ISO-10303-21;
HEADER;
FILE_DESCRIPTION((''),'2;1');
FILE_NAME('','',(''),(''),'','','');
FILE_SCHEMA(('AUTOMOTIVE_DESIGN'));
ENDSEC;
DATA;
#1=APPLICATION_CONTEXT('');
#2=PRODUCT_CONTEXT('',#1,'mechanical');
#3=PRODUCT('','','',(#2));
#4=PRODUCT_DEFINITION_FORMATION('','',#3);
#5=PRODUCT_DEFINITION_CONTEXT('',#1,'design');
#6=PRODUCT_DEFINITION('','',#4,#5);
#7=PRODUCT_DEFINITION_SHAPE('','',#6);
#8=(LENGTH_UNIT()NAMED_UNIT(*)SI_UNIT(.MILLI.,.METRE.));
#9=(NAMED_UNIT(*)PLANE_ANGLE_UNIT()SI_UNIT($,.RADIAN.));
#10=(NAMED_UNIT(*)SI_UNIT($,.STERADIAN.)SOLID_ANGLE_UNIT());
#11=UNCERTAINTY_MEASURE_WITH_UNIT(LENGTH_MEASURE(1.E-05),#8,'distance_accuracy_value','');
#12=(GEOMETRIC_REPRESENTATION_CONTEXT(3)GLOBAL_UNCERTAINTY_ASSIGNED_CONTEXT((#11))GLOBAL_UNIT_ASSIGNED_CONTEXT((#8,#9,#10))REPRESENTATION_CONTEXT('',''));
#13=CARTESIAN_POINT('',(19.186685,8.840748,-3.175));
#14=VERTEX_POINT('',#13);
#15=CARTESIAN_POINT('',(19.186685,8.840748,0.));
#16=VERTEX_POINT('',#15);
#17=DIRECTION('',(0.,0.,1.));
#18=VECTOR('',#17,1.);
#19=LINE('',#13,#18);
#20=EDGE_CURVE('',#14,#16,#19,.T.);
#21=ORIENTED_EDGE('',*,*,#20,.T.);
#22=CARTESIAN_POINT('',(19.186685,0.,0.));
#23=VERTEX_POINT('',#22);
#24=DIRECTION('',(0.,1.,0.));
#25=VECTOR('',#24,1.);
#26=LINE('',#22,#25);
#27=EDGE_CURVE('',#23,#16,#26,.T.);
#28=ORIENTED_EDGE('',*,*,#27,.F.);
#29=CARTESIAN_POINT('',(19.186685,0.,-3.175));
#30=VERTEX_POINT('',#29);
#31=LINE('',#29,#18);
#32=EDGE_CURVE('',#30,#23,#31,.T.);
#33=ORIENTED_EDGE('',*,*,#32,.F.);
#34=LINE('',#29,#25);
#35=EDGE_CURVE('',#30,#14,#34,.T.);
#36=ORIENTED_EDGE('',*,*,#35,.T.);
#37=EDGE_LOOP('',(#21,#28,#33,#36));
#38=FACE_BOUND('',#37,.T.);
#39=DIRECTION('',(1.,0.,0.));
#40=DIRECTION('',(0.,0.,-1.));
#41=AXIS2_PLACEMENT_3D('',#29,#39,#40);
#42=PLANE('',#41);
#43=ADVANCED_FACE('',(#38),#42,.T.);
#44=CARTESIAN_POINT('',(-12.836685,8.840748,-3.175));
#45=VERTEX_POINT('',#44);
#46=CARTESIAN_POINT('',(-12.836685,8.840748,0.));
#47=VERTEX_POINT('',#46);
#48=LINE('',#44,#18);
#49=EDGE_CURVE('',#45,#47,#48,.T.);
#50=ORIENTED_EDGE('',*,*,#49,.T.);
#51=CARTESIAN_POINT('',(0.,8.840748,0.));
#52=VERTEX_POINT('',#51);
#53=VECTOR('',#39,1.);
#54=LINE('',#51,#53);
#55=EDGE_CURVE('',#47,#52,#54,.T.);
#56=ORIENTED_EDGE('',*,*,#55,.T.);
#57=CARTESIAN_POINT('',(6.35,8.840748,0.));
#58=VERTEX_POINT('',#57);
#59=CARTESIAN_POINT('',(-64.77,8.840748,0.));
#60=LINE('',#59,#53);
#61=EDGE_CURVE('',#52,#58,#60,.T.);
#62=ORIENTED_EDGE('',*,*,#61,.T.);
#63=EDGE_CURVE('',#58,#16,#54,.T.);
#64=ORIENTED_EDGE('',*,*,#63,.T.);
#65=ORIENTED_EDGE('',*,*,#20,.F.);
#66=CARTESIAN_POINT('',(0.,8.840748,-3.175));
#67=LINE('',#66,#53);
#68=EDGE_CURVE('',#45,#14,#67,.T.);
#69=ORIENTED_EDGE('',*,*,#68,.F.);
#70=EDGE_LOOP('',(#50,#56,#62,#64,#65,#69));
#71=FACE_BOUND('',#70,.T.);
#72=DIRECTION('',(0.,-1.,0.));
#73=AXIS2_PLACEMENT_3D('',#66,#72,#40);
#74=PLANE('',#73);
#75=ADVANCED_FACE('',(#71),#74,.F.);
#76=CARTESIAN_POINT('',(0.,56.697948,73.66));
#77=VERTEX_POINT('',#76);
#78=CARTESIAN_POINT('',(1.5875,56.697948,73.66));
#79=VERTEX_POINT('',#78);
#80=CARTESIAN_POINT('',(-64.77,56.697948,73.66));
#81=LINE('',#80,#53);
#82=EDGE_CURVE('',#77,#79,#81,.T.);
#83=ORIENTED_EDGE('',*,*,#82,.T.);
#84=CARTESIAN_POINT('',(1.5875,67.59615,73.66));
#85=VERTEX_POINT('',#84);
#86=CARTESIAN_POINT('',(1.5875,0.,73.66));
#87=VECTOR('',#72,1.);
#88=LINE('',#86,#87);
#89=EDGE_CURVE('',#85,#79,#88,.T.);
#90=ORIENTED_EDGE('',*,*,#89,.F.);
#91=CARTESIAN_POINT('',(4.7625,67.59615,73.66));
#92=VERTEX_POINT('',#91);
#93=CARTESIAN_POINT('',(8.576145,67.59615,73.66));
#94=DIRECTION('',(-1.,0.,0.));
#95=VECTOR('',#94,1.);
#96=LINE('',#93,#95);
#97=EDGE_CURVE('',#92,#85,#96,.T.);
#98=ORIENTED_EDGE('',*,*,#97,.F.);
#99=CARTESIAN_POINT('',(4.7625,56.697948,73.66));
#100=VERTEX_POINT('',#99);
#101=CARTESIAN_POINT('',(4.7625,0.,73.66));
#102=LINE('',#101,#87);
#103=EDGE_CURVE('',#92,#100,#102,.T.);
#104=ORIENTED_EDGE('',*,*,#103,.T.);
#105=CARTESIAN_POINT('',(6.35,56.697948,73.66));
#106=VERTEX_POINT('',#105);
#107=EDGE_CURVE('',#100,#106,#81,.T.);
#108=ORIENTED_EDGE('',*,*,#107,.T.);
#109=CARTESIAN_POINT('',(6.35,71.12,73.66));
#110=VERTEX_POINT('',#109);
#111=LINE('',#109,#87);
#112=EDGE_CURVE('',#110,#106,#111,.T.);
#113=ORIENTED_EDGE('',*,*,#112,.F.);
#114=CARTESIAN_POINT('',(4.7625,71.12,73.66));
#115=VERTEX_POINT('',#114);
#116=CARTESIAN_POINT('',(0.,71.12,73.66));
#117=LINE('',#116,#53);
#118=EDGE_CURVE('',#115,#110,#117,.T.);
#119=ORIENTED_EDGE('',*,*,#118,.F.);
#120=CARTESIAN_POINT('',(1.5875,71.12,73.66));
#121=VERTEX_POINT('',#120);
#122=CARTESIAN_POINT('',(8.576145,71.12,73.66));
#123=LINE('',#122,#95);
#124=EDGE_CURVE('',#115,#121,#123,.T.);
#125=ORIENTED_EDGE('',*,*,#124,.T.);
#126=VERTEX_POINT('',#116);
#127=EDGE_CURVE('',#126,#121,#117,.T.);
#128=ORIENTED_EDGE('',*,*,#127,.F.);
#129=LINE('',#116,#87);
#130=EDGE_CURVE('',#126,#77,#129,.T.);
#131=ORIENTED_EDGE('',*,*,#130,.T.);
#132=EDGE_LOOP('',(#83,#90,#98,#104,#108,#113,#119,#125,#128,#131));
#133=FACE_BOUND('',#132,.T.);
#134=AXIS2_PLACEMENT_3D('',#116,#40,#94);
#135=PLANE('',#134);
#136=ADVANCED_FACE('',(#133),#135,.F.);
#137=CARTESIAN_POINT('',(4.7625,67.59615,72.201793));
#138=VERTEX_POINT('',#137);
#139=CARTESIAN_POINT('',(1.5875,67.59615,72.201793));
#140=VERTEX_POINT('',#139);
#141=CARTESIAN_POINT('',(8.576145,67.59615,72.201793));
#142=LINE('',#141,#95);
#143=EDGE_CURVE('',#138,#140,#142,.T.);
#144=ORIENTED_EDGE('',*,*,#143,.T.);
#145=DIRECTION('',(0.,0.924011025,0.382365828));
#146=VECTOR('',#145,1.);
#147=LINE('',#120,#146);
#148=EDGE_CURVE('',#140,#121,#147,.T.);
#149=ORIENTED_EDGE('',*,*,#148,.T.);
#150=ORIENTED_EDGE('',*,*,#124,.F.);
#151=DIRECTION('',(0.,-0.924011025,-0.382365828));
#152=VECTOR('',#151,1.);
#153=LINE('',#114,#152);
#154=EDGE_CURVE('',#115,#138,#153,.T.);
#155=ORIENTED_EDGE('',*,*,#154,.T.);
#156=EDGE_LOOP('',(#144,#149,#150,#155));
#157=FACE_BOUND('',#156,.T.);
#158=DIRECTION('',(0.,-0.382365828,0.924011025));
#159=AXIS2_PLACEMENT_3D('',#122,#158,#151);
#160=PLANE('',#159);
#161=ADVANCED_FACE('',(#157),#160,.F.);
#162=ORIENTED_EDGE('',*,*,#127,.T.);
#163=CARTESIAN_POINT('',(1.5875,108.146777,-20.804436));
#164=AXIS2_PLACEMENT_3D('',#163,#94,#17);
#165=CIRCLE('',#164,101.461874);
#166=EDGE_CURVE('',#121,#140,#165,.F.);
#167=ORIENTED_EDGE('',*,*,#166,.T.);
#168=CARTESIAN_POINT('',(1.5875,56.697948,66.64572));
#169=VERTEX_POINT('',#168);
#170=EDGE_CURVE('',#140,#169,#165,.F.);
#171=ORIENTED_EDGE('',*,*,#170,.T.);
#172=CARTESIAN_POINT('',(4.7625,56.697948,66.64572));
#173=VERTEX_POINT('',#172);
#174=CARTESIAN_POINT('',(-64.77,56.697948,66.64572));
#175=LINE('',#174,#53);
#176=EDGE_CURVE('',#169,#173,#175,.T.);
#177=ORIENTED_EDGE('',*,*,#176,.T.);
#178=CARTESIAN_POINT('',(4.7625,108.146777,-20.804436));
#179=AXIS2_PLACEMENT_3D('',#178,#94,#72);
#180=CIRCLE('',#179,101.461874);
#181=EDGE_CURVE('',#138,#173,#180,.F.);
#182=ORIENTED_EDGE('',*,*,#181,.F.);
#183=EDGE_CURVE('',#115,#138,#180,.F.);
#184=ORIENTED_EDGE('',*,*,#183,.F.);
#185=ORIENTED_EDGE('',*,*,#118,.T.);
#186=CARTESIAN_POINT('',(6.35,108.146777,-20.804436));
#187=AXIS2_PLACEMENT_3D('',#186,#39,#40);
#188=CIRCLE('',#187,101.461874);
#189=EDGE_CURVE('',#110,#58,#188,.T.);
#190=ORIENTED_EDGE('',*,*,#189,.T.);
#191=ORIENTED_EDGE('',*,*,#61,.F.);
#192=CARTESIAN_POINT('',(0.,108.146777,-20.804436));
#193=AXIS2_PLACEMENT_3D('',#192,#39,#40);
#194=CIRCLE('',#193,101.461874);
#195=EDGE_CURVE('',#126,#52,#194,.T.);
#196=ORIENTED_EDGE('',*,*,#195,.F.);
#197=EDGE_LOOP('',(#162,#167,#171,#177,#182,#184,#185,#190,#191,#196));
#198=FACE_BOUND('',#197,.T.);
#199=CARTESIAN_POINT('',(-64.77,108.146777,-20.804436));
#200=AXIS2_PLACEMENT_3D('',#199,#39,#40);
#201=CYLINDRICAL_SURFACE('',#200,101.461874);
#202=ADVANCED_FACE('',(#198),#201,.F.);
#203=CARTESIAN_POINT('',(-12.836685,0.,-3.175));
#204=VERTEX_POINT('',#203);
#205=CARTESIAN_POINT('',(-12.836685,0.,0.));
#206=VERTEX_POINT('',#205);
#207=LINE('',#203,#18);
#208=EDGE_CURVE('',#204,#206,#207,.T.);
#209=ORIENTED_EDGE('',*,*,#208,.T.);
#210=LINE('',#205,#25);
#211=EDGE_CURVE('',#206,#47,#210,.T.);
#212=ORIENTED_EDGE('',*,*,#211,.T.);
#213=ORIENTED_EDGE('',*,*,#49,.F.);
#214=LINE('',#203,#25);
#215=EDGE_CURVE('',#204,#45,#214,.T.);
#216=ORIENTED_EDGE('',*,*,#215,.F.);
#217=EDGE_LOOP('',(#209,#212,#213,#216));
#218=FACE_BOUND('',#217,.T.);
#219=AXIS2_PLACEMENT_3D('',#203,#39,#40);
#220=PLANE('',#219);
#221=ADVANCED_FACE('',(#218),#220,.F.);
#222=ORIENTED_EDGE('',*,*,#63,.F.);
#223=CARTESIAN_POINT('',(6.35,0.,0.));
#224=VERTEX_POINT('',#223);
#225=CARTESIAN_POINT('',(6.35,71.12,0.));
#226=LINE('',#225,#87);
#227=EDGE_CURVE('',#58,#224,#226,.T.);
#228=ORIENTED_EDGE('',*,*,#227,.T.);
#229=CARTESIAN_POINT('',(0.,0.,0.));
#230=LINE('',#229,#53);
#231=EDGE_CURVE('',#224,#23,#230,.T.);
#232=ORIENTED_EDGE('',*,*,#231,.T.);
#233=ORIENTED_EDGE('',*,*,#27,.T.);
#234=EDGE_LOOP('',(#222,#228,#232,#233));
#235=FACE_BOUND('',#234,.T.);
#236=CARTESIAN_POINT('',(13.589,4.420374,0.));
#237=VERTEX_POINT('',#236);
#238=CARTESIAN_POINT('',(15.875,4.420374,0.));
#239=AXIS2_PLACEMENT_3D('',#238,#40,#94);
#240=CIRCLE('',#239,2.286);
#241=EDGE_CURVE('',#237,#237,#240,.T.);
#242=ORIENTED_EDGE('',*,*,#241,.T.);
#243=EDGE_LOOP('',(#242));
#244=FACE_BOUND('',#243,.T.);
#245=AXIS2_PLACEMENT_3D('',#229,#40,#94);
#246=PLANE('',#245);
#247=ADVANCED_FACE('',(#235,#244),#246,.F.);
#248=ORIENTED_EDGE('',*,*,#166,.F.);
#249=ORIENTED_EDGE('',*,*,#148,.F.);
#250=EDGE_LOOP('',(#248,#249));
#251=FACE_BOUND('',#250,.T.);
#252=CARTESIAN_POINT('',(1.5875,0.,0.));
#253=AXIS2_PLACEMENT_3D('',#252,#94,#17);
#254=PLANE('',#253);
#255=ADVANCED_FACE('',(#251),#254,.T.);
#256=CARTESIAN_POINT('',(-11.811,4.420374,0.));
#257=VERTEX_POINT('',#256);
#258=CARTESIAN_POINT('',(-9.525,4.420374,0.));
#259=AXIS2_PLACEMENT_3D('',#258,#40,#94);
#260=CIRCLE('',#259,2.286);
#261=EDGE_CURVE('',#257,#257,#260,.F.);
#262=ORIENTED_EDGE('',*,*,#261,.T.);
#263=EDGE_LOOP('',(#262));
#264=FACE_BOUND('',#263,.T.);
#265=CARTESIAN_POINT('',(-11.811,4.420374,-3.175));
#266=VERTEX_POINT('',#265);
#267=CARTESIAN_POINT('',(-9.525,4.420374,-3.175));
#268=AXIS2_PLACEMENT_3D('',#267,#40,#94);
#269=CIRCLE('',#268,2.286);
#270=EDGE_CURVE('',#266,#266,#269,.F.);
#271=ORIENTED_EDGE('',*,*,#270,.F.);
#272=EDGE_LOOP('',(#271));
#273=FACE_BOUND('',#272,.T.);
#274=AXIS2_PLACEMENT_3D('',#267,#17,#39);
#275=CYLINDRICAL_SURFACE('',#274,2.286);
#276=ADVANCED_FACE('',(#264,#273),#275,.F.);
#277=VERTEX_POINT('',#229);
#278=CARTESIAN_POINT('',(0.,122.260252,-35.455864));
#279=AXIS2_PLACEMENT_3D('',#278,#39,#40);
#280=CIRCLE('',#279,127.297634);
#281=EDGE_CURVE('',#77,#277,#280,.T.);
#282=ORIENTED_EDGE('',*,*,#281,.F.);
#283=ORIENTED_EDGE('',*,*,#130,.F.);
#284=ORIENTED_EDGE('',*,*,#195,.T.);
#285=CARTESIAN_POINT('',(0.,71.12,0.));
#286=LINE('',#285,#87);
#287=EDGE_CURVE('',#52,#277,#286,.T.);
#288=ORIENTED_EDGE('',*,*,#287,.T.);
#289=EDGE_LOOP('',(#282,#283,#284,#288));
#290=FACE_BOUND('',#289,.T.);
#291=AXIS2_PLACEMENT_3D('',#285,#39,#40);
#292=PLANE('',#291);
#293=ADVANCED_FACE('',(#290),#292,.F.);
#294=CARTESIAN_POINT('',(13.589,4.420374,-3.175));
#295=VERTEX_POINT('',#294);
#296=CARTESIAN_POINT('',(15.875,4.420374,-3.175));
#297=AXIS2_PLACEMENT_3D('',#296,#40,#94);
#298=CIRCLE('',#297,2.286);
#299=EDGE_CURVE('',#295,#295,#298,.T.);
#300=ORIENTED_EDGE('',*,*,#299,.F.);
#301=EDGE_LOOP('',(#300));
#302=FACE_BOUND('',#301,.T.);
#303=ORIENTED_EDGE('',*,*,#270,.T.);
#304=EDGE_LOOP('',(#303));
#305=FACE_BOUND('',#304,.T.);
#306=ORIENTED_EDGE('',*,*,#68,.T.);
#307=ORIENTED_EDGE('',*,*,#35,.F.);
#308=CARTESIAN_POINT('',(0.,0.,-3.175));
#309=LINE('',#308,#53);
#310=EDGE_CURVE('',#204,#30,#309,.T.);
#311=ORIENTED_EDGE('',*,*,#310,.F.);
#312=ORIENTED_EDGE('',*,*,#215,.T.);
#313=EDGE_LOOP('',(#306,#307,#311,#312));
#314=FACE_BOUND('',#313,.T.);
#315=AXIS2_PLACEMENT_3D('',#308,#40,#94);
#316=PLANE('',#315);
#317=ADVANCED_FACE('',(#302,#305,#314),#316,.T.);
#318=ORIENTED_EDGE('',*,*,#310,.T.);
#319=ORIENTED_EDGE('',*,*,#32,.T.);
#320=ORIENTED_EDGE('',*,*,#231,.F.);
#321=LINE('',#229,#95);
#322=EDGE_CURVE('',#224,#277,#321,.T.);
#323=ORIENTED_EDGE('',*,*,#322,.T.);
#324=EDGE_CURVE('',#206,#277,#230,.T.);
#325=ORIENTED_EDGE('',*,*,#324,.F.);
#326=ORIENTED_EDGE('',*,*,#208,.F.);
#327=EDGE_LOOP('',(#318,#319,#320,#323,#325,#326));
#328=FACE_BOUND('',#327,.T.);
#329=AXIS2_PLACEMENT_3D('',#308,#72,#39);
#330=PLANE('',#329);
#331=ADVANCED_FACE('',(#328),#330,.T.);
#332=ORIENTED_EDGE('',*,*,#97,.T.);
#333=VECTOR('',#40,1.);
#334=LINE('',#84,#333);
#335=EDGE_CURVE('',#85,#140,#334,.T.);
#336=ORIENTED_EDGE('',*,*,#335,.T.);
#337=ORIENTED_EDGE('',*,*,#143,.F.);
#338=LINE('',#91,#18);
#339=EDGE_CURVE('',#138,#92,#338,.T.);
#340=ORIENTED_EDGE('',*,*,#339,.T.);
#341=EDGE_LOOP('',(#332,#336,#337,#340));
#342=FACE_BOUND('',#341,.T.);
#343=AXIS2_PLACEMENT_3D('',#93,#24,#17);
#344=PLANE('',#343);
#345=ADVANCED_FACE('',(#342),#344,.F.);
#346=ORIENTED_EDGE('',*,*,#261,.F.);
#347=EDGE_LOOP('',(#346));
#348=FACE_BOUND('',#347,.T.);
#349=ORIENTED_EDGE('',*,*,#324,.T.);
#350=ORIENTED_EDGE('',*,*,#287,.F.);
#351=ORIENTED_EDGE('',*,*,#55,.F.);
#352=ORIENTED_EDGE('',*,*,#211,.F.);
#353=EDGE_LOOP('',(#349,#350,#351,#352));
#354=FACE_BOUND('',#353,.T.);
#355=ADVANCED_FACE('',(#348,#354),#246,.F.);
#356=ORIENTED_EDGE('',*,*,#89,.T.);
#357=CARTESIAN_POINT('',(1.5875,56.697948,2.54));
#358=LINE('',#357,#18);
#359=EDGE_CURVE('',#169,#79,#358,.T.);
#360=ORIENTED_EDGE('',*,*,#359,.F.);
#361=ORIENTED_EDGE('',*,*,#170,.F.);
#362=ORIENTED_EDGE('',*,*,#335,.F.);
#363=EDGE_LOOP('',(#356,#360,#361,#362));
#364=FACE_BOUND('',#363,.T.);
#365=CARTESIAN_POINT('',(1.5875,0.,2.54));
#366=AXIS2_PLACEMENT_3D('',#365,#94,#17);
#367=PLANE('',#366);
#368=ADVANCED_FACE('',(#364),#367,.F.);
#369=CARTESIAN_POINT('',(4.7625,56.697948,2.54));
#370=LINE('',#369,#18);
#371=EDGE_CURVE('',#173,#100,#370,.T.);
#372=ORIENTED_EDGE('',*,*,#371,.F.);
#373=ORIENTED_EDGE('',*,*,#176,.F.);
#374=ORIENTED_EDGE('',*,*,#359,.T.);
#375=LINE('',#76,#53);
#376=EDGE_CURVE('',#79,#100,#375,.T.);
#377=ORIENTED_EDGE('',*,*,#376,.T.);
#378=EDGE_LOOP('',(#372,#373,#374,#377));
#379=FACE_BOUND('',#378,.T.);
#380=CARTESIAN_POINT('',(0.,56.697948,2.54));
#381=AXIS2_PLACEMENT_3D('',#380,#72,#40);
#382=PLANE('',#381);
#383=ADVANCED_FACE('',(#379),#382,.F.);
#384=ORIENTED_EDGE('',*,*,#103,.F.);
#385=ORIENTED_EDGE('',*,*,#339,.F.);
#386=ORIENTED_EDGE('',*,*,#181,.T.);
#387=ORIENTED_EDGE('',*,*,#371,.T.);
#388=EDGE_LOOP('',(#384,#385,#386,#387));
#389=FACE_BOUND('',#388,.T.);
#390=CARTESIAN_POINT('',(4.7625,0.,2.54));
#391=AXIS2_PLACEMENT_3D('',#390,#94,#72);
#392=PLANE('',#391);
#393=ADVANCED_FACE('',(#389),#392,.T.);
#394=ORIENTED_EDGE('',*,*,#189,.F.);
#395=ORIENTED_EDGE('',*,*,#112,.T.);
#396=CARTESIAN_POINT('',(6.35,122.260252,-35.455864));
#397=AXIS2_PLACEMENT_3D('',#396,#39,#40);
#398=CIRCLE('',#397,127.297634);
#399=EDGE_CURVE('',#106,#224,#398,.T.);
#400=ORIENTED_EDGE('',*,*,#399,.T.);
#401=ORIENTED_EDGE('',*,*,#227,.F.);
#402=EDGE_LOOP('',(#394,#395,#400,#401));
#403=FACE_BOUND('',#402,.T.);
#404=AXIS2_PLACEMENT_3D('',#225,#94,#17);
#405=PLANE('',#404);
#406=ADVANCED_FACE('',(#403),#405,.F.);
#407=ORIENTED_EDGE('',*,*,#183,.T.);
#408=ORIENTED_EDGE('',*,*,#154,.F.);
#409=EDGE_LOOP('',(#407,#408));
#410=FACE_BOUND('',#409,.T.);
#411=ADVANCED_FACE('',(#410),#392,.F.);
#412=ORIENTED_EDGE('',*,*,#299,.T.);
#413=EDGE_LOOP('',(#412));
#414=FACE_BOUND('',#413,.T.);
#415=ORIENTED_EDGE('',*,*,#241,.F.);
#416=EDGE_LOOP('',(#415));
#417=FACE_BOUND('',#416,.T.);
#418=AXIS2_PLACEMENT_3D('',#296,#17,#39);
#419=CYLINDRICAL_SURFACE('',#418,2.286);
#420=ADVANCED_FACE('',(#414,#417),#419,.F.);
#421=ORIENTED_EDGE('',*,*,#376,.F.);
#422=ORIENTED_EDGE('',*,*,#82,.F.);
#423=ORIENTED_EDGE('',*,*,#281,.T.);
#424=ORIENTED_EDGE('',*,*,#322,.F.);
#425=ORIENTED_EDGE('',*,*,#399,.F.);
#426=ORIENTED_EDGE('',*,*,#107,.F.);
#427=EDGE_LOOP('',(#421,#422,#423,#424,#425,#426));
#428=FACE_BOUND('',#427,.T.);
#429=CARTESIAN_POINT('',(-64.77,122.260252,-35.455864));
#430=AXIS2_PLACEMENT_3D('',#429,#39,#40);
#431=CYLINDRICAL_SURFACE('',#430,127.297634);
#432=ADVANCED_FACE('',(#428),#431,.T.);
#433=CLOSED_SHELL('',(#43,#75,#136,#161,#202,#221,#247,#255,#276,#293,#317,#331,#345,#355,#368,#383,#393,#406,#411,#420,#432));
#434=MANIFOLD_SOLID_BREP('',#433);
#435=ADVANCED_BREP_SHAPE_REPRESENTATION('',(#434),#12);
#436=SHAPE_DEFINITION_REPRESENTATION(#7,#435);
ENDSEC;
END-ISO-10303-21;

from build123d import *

# Parameters (mm, degrees)
SKETCH2_W           = 6.35
SKETCH2_H           = 73.66
BOSS_EXTRUDE1_DEPTH = 71.12
CUT_EXTRUDE1_DEPTH  = 71.12
SKETCH4_W           = 1.5875
SKETCH4_H           = 14.422052326
CUT_EXTRUDE2_DEPTH  = 71.12
SKETCH6_W           = 32.023370344
SKETCH6_H           = 8.840748178
SKETCH6_R           = 2.286
BOSS_EXTRUDE2_DEPTH = 3.175
BOSS_EXTRUDE3_DEPTH = 3.175


with BuildPart() as part:
    # Sketch2 → Boss-Extrude1 (new body)
    with BuildSketch(Plane(origin=(0, 0, 0), x_dir=(1, 0, 0), z_dir=(0, 1, 0))):
        with Locations((3.175, -36.83)):
            Rectangle(SKETCH2_W, SKETCH2_H)
    extrude(amount=BOSS_EXTRUDE1_DEPTH)

    # Sketch3 → Cut-Extrude1 (cut)
    with BuildSketch(Plane(origin=(6.35, 0, 0), x_dir=(0, 0, -1), z_dir=(1, 0, 0))):
        with BuildLine():
            ThreePointArc((0, 0), (-42.190194821, 21.385195311), (-73.66, 56.697947674))
            Line((-73.66, 56.697947674), (-73.66, 0))
            Line((-73.66, 0), (0, 0))
        make_face()
        with BuildLine():
            Line((0, 71.12), (-73.66, 71.12))
            ThreePointArc((-73.66, 71.12), (-44.704376489, 30.667054561), (0, 8.840748178))
            Line((0, 8.840748178), (0, 71.12))
        make_face()
    extrude(amount=-CUT_EXTRUDE1_DEPTH, mode=Mode.SUBTRACT)

    # Sketch4 → Cut-Extrude2 (cut)
    with BuildSketch(Plane.XY.offset(73.66)):
        with Locations((2.38125, 63.908973837)):
            Rectangle(SKETCH4_W, SKETCH4_H)
        with Locations((3.96875, 63.908973837)):
            Rectangle(SKETCH4_W, SKETCH4_H)
    extrude(amount=-CUT_EXTRUDE2_DEPTH, mode=Mode.SUBTRACT)

    # Sketch6 → Boss-Extrude2 (add)
    with BuildSketch(Plane(origin=(0, 0, 0), x_dir=(-1, 0, 0), z_dir=(0, 0, -1))):
        with Locations((-3.175, 4.420374089)):
            Rectangle(SKETCH6_W, SKETCH6_H)
        with Locations((-15.875, 4.420374089)):
            Circle(SKETCH6_R, mode=Mode.SUBTRACT)
        with Locations((9.525, 4.420374089)):
            Circle(SKETCH6_R, mode=Mode.SUBTRACT)
    extrude(amount=BOSS_EXTRUDE2_DEPTH)

    # Sketch7 → Boss-Extrude3 (add)
    with BuildSketch(Plane(origin=(1.5875, 0, 0), x_dir=(0, 0, -1), z_dir=(1, 0, 0))):
        Polygon((-73.66, 67.596150372), (-72.201792637, 67.596150372), (-73.66, 71.12), align=None)
    extrude(amount=BOSS_EXTRUDE3_DEPTH)


solid = part.part
